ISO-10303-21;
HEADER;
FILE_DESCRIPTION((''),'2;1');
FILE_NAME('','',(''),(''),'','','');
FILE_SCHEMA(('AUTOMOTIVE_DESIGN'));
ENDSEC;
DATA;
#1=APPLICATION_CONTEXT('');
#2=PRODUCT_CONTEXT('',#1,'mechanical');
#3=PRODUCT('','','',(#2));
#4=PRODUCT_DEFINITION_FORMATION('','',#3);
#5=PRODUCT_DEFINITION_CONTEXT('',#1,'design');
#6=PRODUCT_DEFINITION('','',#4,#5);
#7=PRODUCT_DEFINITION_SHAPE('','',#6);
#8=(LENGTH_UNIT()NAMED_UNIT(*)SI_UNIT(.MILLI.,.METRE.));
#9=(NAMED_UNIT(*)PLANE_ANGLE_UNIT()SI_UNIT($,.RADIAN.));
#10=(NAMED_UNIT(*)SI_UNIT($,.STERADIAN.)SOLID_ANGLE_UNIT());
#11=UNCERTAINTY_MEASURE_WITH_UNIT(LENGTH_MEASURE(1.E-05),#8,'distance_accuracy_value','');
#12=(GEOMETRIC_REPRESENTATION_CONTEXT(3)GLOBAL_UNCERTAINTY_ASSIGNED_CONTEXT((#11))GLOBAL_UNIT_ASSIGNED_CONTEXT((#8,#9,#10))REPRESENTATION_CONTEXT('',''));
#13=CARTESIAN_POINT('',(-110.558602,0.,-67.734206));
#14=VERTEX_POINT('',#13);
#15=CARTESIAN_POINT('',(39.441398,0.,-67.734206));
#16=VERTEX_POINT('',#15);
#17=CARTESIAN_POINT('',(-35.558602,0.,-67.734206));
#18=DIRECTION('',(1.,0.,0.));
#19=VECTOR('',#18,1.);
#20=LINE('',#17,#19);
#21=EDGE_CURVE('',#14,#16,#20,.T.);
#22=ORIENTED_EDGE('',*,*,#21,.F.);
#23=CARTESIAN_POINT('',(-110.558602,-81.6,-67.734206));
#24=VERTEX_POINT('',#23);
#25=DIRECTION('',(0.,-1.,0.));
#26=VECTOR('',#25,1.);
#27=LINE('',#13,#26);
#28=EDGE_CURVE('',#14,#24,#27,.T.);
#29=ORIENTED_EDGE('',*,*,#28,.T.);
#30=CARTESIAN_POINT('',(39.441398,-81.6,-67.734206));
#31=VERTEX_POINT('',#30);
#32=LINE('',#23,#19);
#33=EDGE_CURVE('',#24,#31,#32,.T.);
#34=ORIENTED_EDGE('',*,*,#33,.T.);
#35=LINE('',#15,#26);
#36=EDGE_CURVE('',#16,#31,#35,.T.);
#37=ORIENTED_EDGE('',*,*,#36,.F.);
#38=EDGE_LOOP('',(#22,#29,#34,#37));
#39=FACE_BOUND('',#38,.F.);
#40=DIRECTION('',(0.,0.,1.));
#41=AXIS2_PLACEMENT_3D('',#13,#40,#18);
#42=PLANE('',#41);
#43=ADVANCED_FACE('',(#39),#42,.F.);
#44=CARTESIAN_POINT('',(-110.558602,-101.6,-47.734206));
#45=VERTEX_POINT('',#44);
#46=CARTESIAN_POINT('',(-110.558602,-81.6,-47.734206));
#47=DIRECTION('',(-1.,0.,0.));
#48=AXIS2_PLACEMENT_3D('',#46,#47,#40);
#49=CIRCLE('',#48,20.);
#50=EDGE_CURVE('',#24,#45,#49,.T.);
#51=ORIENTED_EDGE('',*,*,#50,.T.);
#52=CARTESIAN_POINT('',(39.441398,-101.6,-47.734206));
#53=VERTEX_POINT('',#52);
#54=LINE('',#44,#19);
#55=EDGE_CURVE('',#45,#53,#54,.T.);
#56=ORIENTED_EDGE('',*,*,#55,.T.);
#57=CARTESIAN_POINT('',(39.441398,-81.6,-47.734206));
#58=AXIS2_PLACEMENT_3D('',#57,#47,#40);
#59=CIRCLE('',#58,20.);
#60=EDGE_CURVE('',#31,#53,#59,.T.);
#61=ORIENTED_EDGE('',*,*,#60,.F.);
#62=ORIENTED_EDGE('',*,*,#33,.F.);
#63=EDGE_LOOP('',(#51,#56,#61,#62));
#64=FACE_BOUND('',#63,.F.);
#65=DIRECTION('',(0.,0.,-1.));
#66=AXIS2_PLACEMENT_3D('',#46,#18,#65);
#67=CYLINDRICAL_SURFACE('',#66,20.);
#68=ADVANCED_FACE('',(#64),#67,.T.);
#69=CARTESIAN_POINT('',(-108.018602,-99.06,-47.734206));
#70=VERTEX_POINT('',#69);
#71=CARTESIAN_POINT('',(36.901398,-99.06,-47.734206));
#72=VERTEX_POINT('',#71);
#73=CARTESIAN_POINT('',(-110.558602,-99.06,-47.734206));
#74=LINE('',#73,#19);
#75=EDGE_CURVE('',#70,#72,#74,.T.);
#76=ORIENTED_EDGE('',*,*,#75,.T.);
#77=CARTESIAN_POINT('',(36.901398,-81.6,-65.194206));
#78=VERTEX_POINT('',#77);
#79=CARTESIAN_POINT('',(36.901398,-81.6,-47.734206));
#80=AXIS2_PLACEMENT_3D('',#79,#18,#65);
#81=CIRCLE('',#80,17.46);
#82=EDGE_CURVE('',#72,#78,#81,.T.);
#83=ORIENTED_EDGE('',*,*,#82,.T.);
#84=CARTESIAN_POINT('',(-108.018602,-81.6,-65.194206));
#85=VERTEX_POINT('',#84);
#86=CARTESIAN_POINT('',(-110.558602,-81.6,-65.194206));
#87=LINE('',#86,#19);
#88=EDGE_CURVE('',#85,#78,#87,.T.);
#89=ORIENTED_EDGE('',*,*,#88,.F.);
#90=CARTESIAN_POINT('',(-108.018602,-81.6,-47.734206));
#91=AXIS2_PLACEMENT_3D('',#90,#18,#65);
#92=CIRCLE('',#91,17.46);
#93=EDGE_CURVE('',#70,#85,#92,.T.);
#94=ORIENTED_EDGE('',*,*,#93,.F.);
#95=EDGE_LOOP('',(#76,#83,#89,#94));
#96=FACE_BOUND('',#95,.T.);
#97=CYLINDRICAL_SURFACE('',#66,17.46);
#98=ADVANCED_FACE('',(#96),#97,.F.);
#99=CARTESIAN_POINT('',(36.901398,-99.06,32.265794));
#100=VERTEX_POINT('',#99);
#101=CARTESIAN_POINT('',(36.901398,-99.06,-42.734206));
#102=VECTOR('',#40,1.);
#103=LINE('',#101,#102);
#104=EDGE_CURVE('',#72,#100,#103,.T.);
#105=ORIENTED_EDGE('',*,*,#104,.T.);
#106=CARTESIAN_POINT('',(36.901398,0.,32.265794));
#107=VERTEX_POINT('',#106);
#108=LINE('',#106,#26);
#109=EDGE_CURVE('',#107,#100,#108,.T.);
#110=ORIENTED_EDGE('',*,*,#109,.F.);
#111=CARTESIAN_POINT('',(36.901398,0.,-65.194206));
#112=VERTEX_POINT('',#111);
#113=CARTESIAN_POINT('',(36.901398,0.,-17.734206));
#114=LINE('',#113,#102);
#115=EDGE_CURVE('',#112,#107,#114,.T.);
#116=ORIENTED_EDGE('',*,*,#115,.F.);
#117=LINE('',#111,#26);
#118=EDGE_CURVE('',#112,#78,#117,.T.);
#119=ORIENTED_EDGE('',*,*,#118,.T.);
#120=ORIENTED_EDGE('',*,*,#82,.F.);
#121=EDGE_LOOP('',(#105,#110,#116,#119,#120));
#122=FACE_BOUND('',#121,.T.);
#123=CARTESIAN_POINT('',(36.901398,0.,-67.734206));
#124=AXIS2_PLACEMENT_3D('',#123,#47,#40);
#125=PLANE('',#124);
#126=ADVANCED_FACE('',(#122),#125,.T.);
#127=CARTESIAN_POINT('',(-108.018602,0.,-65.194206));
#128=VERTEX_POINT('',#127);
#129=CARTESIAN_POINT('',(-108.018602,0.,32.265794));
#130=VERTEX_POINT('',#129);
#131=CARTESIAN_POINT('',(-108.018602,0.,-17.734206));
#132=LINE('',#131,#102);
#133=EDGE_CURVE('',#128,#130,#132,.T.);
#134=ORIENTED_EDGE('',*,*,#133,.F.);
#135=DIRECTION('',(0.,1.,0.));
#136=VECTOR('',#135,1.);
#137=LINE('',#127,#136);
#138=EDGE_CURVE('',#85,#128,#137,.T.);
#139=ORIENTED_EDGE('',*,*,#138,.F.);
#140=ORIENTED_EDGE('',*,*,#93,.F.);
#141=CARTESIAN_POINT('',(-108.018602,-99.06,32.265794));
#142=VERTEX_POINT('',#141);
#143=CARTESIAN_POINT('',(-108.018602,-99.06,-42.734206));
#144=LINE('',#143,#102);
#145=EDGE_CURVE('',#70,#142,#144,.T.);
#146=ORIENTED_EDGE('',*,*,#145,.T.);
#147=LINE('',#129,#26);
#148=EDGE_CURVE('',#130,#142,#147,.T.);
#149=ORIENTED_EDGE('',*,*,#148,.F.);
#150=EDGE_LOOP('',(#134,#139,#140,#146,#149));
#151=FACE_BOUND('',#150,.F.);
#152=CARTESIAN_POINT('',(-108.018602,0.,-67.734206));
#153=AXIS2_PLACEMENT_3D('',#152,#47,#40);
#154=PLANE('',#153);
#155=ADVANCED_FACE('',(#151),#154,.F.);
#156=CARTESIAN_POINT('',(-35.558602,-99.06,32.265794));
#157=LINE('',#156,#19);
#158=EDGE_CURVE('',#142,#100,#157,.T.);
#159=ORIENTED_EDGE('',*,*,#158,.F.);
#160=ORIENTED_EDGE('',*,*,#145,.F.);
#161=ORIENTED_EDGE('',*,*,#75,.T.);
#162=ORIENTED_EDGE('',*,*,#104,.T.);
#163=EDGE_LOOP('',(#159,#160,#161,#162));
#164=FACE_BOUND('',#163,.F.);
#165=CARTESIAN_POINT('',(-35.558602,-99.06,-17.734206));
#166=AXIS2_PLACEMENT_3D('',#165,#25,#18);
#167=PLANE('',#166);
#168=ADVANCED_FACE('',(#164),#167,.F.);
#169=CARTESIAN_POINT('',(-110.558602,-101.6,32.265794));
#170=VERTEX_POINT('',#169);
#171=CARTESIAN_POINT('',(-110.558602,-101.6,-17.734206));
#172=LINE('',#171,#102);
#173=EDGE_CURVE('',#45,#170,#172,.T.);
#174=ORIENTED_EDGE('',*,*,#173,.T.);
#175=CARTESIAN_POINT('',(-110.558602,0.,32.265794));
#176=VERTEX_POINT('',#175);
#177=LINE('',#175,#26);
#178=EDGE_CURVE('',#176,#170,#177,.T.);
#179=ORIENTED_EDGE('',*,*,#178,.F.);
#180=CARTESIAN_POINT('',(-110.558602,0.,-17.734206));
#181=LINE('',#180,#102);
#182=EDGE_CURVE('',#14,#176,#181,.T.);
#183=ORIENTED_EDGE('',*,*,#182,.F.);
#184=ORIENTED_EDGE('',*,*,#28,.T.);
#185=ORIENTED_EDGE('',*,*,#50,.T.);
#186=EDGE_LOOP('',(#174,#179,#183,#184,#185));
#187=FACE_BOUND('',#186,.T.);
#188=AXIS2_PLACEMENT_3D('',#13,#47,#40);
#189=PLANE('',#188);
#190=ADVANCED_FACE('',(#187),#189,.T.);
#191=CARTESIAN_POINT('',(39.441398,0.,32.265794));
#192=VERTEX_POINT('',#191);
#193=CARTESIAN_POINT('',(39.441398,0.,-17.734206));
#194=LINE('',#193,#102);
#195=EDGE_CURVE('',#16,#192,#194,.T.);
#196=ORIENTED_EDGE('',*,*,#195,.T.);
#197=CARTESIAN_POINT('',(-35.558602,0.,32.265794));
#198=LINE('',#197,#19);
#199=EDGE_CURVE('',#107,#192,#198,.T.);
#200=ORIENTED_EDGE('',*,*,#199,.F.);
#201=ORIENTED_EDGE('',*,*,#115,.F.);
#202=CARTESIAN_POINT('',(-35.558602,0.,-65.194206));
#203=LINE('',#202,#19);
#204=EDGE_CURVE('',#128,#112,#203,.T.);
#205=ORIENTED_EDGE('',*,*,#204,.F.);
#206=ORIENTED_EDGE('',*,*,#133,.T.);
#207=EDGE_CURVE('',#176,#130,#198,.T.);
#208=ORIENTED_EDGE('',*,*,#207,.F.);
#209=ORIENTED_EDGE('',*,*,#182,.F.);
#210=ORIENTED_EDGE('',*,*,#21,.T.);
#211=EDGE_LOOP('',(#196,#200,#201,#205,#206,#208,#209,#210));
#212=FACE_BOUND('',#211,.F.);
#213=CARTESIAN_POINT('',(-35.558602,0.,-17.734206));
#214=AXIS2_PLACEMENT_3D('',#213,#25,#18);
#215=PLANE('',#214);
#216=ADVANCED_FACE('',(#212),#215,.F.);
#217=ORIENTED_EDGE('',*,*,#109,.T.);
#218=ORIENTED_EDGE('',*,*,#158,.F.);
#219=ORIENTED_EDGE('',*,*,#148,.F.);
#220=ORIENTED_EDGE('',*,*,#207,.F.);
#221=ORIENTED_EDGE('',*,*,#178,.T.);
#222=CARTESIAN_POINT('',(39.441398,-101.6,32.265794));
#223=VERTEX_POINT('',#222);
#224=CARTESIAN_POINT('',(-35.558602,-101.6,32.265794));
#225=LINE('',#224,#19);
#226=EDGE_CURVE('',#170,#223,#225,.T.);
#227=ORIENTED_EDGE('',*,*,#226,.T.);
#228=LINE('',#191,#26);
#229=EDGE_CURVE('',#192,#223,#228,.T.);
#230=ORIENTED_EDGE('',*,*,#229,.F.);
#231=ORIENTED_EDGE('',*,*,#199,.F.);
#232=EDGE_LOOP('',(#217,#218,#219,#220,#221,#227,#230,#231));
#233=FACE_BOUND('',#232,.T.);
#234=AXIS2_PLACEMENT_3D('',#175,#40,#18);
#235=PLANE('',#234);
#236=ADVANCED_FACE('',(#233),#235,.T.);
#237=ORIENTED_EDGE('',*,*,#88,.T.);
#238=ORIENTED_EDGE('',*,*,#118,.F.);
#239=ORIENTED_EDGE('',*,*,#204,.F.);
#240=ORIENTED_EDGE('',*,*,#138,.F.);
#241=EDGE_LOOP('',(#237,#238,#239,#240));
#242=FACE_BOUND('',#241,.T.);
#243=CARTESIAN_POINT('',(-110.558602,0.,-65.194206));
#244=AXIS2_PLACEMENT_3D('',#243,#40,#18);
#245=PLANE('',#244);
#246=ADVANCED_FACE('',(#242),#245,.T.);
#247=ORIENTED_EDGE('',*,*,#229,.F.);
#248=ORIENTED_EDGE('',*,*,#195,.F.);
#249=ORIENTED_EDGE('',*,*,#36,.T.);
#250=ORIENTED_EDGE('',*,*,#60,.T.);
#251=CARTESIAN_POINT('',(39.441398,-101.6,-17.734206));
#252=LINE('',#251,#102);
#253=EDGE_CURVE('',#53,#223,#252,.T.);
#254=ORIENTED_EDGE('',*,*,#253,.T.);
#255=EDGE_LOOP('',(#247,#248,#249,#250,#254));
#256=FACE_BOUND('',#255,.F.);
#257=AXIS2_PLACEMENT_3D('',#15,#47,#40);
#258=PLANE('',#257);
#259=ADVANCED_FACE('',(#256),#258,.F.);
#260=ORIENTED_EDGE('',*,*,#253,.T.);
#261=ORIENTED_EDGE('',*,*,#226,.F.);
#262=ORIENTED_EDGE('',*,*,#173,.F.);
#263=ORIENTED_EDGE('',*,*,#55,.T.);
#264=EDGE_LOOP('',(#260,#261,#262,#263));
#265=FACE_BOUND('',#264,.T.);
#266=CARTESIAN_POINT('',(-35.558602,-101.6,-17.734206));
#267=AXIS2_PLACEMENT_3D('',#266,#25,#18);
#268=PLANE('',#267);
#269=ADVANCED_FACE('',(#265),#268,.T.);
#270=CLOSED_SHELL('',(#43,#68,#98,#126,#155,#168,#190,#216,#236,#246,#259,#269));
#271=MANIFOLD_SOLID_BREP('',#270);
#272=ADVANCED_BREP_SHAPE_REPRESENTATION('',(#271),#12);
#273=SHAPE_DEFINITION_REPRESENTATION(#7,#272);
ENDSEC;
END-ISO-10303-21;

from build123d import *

# Parameters (mm, degrees)
F0_W     = 150
F0_H     = 100
F1_DEPTH = 101.6
F2_R     = 20
F3_T     = -2.54


with BuildPart() as f1:
    # F0 (on Front) → F1 (new body)
    with BuildSketch(Plane.XZ):
        with Locations((-35.558602, -17.734206)):
            Rectangle(F0_W, F0_H)
    extrude(amount=F1_DEPTH)

    # F2
    f2_edges = [f1.edges().sort_by_distance(p)[0] for p in [
        (-35.558602, -101.6, -67.734206),
    ]]
    fillet(f2_edges, radius=F2_R)

    # F3
    f3_openings = [f1.faces().sort_by_distance(p)[0] for p in [
        (-35.558602, 0, -17.734206),
        (-35.558602, -50.8, 32.265794),
    ]]
    offset(amount=F3_T, openings=f3_openings)


solid = f1.part
